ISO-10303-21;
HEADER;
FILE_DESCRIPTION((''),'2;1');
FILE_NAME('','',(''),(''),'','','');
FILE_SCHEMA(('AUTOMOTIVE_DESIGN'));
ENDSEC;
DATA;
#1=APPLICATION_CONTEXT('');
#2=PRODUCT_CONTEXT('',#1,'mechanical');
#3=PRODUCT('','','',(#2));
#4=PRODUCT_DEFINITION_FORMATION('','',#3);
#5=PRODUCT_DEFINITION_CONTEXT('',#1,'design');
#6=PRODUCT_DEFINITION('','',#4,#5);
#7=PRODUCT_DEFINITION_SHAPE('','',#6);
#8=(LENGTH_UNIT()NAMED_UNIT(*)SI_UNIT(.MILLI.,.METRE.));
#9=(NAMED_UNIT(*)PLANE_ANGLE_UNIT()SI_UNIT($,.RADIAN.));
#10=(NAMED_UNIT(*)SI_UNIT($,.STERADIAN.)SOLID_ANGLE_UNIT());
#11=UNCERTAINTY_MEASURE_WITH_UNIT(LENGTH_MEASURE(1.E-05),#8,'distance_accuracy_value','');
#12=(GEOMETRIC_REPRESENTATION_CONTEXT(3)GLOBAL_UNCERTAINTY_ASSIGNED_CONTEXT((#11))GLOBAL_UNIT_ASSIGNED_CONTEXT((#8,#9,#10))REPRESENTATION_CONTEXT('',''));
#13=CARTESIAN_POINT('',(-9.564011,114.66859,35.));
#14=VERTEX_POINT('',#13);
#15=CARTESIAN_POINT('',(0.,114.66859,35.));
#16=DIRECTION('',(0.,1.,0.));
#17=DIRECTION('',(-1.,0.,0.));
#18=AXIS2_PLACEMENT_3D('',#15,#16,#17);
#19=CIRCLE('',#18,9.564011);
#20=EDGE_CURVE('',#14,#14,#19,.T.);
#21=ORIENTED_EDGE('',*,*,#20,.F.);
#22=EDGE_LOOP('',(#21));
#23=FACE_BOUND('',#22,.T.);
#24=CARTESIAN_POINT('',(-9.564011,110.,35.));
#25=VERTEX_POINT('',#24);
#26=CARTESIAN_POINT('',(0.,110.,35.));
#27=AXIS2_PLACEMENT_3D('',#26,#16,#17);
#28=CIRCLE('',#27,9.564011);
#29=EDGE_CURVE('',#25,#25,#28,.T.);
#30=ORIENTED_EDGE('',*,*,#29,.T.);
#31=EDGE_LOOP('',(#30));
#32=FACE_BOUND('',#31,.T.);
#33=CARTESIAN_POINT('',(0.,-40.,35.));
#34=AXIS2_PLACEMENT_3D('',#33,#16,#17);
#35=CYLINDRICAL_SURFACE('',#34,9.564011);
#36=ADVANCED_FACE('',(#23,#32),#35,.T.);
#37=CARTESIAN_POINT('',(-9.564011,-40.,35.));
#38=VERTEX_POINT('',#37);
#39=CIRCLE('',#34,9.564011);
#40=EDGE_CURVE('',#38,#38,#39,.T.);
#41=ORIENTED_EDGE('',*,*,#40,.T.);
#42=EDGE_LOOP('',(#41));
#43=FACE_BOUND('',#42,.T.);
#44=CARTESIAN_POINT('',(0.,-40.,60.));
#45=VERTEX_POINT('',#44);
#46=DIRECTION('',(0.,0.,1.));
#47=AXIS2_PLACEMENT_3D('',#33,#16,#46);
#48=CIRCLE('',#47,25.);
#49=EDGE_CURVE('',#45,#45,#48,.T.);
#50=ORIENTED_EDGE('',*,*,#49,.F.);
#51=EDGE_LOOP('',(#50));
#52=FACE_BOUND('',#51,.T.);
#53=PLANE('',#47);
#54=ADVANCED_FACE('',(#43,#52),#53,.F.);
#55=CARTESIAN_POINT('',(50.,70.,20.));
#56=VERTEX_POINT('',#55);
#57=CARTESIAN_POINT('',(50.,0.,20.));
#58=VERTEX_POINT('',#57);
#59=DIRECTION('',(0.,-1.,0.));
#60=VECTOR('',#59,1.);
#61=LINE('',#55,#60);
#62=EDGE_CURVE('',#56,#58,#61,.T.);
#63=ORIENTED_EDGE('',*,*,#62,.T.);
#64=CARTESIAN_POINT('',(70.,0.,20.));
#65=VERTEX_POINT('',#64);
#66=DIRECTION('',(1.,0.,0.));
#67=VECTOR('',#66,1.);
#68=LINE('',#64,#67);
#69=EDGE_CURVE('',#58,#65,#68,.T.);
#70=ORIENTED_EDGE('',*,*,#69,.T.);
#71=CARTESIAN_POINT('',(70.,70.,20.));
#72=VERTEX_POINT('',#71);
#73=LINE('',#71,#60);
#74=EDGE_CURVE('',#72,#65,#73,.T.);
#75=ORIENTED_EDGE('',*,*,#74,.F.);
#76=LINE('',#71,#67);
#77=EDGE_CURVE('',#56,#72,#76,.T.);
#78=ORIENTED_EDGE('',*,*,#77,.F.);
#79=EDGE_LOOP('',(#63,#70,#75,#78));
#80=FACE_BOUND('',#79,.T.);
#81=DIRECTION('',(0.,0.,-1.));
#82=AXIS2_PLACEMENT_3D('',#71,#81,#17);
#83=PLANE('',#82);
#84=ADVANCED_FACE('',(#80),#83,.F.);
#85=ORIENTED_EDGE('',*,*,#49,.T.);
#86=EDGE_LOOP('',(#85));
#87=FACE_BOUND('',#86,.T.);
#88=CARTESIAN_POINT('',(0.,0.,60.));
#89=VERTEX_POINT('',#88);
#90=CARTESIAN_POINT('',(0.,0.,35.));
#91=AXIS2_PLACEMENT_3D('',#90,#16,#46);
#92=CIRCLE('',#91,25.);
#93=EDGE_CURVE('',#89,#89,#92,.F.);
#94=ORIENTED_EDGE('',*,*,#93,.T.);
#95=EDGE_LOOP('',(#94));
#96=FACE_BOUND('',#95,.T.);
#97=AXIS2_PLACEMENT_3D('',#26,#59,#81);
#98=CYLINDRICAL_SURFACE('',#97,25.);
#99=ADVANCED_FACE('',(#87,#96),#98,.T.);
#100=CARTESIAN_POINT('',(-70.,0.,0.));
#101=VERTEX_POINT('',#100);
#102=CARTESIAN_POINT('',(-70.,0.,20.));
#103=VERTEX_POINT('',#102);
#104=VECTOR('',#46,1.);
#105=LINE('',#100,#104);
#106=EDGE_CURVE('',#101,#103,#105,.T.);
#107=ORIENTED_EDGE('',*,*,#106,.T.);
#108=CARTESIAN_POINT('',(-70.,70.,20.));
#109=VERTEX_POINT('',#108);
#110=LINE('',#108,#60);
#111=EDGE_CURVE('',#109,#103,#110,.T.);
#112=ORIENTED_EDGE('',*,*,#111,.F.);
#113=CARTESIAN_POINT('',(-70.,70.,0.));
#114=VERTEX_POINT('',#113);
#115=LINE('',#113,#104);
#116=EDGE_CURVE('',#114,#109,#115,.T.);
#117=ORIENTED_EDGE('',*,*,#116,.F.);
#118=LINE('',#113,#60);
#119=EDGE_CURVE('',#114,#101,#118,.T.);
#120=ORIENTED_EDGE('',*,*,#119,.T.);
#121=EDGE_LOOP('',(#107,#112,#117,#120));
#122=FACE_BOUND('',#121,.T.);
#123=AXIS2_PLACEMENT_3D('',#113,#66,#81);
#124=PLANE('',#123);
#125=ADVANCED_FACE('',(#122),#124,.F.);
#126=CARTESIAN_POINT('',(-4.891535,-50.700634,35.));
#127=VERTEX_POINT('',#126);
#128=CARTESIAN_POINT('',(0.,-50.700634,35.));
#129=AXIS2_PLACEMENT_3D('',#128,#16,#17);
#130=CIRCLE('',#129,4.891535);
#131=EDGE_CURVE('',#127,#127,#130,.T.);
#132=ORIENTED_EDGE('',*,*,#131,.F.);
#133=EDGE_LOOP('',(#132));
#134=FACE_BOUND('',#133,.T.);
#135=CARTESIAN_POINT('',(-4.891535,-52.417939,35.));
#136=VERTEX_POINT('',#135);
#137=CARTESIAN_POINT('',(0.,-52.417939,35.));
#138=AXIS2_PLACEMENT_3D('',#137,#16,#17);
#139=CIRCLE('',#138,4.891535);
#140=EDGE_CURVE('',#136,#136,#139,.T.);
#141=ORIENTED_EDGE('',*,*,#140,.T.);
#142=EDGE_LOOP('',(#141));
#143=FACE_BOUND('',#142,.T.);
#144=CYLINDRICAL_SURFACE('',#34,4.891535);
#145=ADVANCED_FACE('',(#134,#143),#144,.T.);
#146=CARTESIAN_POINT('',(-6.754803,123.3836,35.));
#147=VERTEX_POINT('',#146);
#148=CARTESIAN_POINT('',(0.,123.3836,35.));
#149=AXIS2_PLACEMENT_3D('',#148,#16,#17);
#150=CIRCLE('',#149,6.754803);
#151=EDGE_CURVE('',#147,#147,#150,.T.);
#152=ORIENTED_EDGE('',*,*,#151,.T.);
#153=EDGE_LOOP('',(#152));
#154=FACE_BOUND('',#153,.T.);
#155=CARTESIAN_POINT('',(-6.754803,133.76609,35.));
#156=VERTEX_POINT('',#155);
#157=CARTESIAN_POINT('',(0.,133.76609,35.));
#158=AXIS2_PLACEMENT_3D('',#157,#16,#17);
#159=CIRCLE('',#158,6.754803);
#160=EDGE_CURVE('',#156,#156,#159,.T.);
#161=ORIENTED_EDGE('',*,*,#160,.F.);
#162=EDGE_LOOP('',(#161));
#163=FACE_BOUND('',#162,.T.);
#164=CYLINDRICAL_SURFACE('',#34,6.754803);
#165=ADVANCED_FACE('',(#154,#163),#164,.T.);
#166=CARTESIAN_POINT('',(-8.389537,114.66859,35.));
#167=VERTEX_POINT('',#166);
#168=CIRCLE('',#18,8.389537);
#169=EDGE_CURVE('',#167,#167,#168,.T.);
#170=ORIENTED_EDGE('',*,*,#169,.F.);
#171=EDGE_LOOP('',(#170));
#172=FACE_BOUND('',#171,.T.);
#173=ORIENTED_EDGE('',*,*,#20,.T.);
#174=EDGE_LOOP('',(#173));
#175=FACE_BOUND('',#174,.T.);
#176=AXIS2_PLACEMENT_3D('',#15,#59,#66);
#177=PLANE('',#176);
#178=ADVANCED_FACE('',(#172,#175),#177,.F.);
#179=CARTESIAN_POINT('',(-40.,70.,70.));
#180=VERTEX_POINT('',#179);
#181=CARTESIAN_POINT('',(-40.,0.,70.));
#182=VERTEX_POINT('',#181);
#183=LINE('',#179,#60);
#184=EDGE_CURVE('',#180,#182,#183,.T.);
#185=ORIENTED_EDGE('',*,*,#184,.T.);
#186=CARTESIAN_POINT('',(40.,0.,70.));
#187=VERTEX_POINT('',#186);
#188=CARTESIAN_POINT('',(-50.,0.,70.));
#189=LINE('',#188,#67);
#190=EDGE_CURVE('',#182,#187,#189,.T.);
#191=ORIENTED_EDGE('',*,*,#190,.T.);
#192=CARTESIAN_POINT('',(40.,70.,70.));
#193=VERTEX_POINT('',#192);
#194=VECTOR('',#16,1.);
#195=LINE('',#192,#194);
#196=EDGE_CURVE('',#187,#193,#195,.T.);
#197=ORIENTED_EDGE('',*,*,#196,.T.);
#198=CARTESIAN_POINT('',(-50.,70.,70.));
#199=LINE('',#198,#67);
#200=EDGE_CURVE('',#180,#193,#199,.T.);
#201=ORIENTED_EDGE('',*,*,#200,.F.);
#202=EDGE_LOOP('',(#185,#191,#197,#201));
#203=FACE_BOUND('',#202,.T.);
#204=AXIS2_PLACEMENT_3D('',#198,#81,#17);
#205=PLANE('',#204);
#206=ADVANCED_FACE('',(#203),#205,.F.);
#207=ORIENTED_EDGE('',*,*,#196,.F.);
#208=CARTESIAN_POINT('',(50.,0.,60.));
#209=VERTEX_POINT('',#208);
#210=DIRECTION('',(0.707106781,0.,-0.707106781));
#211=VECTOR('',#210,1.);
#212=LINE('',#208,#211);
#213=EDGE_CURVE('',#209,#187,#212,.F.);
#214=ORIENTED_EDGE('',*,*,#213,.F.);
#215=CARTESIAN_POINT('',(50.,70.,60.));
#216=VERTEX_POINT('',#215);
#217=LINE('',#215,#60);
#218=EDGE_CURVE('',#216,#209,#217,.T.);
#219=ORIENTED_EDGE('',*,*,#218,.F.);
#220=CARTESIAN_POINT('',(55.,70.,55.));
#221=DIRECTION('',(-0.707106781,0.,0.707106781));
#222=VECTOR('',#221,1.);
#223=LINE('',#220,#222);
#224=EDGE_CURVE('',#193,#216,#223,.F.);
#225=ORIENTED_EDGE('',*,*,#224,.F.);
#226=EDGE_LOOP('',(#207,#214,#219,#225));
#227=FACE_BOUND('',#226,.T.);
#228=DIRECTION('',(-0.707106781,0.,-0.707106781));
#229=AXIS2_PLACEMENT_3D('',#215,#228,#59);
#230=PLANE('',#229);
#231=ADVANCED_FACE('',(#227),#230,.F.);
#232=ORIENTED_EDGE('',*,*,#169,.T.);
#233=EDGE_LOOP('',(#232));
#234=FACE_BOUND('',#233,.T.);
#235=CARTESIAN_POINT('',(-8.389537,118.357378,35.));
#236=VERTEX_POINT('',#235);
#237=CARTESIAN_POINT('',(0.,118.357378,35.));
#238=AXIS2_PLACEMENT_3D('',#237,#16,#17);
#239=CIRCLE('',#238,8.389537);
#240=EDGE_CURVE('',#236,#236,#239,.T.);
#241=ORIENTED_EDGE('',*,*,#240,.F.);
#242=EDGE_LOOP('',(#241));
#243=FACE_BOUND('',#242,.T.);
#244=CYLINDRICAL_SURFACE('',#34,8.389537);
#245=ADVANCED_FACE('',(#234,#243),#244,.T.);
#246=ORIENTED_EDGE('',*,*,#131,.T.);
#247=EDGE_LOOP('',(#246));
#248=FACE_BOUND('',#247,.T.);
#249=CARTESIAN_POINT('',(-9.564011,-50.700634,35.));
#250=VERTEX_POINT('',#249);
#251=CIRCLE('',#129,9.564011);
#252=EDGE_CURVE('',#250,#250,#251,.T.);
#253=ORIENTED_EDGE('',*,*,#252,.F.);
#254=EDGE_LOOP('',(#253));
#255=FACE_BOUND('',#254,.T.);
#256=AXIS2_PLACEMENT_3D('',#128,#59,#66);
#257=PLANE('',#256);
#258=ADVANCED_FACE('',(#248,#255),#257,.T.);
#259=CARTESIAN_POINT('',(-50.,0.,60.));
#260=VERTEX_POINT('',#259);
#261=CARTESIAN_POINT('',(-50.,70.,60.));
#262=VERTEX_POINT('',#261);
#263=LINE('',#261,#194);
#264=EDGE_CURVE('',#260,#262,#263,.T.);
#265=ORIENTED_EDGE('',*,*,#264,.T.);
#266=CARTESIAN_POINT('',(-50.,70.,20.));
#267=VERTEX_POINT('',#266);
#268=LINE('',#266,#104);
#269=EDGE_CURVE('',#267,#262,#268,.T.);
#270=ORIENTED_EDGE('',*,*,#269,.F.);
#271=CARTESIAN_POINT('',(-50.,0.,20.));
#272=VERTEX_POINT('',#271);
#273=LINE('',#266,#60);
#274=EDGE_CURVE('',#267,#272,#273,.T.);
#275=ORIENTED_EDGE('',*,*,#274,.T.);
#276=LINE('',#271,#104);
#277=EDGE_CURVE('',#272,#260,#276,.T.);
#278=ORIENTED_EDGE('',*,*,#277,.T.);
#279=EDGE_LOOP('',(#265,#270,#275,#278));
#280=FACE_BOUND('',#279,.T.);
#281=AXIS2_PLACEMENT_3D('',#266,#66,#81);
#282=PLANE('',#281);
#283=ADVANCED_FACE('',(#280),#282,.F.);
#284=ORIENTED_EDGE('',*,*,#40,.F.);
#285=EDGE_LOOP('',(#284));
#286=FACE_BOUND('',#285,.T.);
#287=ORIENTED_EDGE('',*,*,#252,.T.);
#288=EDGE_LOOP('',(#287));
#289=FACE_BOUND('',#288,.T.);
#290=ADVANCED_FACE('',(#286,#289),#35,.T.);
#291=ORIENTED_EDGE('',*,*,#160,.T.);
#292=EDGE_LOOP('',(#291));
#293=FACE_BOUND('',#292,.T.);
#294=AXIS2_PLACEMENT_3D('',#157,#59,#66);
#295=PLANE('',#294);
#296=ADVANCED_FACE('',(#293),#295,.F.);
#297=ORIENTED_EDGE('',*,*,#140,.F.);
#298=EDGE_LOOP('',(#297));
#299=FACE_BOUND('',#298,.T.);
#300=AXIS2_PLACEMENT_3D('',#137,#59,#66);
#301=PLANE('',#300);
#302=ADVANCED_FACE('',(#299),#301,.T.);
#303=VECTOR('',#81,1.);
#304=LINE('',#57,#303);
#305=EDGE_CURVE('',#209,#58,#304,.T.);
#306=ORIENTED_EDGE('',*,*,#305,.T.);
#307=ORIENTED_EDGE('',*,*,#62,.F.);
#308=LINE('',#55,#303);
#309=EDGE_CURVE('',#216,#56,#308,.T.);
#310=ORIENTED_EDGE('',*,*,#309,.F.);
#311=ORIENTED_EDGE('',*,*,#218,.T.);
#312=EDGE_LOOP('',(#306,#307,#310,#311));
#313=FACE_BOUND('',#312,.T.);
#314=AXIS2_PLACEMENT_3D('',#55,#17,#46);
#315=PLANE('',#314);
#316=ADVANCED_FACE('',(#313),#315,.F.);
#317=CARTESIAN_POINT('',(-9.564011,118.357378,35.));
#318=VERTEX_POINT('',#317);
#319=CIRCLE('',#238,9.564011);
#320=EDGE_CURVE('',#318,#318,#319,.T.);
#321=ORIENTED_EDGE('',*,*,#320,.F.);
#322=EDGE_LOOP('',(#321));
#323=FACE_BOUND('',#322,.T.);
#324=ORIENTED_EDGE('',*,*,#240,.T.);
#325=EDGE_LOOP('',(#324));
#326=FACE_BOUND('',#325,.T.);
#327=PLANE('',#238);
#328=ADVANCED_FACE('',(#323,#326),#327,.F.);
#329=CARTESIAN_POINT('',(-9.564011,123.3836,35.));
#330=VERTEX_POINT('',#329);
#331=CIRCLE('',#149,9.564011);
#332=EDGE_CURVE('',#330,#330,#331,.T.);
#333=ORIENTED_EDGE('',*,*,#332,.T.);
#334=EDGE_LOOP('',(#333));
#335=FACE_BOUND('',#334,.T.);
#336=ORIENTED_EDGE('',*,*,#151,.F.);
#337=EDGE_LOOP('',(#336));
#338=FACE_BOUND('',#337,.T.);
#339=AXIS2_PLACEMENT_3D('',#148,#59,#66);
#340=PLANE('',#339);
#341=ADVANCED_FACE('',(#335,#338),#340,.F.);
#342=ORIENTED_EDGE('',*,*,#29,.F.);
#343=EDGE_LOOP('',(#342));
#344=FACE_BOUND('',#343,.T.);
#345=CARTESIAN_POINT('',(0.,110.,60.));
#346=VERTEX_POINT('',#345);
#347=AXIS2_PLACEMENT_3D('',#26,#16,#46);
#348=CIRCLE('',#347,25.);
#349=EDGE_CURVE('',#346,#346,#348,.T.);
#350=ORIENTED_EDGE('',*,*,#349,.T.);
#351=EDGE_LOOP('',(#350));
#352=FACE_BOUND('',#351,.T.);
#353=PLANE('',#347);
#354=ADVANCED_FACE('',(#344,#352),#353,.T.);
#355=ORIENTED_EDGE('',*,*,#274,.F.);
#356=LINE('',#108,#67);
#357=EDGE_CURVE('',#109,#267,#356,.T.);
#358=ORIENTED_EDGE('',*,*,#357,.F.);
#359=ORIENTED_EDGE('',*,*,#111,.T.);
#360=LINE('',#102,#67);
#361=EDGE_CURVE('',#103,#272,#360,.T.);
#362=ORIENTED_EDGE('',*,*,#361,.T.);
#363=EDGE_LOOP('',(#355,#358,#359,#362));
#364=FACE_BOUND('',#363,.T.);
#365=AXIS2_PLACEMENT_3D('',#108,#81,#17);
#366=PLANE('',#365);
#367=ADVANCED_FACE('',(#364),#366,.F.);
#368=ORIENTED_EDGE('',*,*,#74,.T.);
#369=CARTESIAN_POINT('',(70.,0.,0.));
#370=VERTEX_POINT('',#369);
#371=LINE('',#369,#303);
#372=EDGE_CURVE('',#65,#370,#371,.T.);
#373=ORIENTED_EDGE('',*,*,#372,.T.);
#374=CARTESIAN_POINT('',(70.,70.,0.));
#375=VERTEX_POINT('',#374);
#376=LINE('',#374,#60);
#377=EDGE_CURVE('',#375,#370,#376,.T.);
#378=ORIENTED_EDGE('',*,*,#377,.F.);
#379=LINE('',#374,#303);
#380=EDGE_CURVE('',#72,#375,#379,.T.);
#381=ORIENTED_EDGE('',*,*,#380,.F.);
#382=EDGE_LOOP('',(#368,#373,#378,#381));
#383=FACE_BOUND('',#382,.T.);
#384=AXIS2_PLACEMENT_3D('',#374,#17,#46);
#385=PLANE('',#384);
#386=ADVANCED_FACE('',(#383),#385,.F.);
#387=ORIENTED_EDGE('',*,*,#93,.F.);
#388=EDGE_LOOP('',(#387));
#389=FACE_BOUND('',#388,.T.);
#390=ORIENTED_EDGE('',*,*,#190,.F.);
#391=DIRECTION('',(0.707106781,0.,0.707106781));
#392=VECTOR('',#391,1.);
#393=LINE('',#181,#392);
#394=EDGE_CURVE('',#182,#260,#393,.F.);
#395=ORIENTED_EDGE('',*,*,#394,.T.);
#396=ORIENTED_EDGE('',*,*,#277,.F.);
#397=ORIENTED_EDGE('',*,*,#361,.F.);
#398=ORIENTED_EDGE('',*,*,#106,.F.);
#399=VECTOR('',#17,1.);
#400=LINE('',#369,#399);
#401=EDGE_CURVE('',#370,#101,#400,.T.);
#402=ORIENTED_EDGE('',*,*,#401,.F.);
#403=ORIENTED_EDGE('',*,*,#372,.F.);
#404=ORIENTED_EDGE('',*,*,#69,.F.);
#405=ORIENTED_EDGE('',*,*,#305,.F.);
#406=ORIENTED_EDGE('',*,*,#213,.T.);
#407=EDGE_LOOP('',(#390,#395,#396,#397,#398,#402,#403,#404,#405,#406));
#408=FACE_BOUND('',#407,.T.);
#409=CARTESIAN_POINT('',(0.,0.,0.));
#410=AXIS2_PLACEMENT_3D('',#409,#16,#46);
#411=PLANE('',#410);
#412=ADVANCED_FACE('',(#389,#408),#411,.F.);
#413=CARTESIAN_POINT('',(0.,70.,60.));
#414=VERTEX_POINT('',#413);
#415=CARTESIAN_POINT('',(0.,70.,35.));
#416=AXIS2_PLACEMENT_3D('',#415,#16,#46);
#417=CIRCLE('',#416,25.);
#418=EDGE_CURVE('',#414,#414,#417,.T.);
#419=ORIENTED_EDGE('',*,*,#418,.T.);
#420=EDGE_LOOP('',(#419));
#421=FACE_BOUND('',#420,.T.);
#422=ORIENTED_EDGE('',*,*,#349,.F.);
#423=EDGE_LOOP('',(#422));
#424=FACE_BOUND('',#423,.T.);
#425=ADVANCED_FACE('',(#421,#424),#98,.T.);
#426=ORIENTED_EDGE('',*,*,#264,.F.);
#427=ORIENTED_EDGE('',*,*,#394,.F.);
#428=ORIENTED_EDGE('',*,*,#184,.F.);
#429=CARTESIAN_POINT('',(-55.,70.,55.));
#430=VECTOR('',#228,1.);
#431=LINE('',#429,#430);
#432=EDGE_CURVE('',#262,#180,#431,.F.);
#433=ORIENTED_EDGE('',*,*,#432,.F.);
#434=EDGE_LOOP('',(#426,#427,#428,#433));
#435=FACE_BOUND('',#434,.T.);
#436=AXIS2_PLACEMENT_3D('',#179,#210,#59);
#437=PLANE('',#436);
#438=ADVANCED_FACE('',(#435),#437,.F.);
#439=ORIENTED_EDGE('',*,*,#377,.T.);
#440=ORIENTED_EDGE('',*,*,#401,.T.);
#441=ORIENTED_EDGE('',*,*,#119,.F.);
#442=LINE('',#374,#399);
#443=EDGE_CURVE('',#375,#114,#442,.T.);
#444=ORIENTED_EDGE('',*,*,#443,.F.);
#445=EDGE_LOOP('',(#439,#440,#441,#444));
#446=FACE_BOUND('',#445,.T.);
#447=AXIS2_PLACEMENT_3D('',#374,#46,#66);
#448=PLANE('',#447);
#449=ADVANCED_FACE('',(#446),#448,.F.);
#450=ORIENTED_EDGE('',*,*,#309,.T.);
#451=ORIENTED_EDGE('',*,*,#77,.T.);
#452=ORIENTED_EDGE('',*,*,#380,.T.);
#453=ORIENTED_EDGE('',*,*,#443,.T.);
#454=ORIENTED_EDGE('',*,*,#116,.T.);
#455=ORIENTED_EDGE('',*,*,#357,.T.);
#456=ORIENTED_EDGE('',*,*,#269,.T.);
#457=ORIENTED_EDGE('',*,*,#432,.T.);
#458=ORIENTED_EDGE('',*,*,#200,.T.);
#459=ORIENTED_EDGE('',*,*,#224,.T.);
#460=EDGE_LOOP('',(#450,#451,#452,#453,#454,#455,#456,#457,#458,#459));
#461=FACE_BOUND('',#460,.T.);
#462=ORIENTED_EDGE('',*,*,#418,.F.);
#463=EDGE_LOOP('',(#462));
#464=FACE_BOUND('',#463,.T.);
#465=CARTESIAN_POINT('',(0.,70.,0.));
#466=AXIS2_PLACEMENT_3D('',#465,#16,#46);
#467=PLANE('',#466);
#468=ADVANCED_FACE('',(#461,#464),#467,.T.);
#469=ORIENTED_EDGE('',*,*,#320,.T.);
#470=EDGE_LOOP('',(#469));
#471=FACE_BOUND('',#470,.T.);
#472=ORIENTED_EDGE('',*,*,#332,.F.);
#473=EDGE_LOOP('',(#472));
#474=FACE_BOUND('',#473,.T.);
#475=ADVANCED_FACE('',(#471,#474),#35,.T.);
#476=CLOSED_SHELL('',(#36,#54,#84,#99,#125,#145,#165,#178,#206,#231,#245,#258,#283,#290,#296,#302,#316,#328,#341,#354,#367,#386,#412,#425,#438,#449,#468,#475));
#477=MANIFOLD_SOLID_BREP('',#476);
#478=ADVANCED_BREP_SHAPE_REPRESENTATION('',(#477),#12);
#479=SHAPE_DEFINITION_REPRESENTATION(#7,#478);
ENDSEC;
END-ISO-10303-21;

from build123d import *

# Parameters (mm, degrees)
SKETCH1_R           = 25
BOSS_EXTRUDE1_DEPTH = 70
SKETCH3_R           = 25
BOSS_EXTRUDE2_DEPTH = 75
CHAMFER1_SIZE       = 10


with BuildPart() as part:
    # Sketch1 → Boss-Extrude1 (new body)
    with BuildSketch(Plane(origin=(0, 0, 0), x_dir=(1, 0, 0), z_dir=(0, 1, 0))):
        Polygon((70, 0), (-70, 0), (-70, -20), (-50, -20), (-50, -70), (50, -70), (50, -20), (70, -20), align=None)
        with Locations((0, -35)):
            Circle(SKETCH1_R, mode=Mode.SUBTRACT)
    extrude(amount=BOSS_EXTRUDE1_DEPTH)

    # Sketch3 → Boss-Extrude2 (add, symmetric)
    with BuildSketch(Plane(origin=(0, 35, 0), x_dir=(1, 0, 0), z_dir=(0, 1, 0))):
        with Locations((0, -35)):
            Circle(SKETCH3_R)
    extrude(amount=BOSS_EXTRUDE2_DEPTH, both=True)

    # Sketch4 → Revolve1 (revolve)
    with BuildSketch(Plane.XY.offset(35)):
        Polygon((-9.564011188, 110), (0, 110), (0, 133.766089862), (-6.754803398, 133.766089862), (-6.754803398, 123.383600129), (-9.564011188, 123.383600129), (-9.564011188, 118.357377814), (-8.389537285, 118.357377814), (-8.389537285, 114.668590284), (-9.564011188, 114.668590284), align=None)
        Polygon((0, -40), (-9.564011188, -40), (-9.564011188, -50.700633695), (-4.891534663, -50.700633695), (-4.891534663, -52.417938892), (0, -52.417938892), align=None)
    revolve(axis=Axis((0, -40, 35), (0, -1, 0)))

    # Chamfer1
    chamfer1_edges = [part.edges().sort_by_distance(p)[0] for p in [
        (50, 35, 70),
        (-50, 35, 70),
    ]]
    chamfer(chamfer1_edges, length=CHAMFER1_SIZE)


solid = part.part
